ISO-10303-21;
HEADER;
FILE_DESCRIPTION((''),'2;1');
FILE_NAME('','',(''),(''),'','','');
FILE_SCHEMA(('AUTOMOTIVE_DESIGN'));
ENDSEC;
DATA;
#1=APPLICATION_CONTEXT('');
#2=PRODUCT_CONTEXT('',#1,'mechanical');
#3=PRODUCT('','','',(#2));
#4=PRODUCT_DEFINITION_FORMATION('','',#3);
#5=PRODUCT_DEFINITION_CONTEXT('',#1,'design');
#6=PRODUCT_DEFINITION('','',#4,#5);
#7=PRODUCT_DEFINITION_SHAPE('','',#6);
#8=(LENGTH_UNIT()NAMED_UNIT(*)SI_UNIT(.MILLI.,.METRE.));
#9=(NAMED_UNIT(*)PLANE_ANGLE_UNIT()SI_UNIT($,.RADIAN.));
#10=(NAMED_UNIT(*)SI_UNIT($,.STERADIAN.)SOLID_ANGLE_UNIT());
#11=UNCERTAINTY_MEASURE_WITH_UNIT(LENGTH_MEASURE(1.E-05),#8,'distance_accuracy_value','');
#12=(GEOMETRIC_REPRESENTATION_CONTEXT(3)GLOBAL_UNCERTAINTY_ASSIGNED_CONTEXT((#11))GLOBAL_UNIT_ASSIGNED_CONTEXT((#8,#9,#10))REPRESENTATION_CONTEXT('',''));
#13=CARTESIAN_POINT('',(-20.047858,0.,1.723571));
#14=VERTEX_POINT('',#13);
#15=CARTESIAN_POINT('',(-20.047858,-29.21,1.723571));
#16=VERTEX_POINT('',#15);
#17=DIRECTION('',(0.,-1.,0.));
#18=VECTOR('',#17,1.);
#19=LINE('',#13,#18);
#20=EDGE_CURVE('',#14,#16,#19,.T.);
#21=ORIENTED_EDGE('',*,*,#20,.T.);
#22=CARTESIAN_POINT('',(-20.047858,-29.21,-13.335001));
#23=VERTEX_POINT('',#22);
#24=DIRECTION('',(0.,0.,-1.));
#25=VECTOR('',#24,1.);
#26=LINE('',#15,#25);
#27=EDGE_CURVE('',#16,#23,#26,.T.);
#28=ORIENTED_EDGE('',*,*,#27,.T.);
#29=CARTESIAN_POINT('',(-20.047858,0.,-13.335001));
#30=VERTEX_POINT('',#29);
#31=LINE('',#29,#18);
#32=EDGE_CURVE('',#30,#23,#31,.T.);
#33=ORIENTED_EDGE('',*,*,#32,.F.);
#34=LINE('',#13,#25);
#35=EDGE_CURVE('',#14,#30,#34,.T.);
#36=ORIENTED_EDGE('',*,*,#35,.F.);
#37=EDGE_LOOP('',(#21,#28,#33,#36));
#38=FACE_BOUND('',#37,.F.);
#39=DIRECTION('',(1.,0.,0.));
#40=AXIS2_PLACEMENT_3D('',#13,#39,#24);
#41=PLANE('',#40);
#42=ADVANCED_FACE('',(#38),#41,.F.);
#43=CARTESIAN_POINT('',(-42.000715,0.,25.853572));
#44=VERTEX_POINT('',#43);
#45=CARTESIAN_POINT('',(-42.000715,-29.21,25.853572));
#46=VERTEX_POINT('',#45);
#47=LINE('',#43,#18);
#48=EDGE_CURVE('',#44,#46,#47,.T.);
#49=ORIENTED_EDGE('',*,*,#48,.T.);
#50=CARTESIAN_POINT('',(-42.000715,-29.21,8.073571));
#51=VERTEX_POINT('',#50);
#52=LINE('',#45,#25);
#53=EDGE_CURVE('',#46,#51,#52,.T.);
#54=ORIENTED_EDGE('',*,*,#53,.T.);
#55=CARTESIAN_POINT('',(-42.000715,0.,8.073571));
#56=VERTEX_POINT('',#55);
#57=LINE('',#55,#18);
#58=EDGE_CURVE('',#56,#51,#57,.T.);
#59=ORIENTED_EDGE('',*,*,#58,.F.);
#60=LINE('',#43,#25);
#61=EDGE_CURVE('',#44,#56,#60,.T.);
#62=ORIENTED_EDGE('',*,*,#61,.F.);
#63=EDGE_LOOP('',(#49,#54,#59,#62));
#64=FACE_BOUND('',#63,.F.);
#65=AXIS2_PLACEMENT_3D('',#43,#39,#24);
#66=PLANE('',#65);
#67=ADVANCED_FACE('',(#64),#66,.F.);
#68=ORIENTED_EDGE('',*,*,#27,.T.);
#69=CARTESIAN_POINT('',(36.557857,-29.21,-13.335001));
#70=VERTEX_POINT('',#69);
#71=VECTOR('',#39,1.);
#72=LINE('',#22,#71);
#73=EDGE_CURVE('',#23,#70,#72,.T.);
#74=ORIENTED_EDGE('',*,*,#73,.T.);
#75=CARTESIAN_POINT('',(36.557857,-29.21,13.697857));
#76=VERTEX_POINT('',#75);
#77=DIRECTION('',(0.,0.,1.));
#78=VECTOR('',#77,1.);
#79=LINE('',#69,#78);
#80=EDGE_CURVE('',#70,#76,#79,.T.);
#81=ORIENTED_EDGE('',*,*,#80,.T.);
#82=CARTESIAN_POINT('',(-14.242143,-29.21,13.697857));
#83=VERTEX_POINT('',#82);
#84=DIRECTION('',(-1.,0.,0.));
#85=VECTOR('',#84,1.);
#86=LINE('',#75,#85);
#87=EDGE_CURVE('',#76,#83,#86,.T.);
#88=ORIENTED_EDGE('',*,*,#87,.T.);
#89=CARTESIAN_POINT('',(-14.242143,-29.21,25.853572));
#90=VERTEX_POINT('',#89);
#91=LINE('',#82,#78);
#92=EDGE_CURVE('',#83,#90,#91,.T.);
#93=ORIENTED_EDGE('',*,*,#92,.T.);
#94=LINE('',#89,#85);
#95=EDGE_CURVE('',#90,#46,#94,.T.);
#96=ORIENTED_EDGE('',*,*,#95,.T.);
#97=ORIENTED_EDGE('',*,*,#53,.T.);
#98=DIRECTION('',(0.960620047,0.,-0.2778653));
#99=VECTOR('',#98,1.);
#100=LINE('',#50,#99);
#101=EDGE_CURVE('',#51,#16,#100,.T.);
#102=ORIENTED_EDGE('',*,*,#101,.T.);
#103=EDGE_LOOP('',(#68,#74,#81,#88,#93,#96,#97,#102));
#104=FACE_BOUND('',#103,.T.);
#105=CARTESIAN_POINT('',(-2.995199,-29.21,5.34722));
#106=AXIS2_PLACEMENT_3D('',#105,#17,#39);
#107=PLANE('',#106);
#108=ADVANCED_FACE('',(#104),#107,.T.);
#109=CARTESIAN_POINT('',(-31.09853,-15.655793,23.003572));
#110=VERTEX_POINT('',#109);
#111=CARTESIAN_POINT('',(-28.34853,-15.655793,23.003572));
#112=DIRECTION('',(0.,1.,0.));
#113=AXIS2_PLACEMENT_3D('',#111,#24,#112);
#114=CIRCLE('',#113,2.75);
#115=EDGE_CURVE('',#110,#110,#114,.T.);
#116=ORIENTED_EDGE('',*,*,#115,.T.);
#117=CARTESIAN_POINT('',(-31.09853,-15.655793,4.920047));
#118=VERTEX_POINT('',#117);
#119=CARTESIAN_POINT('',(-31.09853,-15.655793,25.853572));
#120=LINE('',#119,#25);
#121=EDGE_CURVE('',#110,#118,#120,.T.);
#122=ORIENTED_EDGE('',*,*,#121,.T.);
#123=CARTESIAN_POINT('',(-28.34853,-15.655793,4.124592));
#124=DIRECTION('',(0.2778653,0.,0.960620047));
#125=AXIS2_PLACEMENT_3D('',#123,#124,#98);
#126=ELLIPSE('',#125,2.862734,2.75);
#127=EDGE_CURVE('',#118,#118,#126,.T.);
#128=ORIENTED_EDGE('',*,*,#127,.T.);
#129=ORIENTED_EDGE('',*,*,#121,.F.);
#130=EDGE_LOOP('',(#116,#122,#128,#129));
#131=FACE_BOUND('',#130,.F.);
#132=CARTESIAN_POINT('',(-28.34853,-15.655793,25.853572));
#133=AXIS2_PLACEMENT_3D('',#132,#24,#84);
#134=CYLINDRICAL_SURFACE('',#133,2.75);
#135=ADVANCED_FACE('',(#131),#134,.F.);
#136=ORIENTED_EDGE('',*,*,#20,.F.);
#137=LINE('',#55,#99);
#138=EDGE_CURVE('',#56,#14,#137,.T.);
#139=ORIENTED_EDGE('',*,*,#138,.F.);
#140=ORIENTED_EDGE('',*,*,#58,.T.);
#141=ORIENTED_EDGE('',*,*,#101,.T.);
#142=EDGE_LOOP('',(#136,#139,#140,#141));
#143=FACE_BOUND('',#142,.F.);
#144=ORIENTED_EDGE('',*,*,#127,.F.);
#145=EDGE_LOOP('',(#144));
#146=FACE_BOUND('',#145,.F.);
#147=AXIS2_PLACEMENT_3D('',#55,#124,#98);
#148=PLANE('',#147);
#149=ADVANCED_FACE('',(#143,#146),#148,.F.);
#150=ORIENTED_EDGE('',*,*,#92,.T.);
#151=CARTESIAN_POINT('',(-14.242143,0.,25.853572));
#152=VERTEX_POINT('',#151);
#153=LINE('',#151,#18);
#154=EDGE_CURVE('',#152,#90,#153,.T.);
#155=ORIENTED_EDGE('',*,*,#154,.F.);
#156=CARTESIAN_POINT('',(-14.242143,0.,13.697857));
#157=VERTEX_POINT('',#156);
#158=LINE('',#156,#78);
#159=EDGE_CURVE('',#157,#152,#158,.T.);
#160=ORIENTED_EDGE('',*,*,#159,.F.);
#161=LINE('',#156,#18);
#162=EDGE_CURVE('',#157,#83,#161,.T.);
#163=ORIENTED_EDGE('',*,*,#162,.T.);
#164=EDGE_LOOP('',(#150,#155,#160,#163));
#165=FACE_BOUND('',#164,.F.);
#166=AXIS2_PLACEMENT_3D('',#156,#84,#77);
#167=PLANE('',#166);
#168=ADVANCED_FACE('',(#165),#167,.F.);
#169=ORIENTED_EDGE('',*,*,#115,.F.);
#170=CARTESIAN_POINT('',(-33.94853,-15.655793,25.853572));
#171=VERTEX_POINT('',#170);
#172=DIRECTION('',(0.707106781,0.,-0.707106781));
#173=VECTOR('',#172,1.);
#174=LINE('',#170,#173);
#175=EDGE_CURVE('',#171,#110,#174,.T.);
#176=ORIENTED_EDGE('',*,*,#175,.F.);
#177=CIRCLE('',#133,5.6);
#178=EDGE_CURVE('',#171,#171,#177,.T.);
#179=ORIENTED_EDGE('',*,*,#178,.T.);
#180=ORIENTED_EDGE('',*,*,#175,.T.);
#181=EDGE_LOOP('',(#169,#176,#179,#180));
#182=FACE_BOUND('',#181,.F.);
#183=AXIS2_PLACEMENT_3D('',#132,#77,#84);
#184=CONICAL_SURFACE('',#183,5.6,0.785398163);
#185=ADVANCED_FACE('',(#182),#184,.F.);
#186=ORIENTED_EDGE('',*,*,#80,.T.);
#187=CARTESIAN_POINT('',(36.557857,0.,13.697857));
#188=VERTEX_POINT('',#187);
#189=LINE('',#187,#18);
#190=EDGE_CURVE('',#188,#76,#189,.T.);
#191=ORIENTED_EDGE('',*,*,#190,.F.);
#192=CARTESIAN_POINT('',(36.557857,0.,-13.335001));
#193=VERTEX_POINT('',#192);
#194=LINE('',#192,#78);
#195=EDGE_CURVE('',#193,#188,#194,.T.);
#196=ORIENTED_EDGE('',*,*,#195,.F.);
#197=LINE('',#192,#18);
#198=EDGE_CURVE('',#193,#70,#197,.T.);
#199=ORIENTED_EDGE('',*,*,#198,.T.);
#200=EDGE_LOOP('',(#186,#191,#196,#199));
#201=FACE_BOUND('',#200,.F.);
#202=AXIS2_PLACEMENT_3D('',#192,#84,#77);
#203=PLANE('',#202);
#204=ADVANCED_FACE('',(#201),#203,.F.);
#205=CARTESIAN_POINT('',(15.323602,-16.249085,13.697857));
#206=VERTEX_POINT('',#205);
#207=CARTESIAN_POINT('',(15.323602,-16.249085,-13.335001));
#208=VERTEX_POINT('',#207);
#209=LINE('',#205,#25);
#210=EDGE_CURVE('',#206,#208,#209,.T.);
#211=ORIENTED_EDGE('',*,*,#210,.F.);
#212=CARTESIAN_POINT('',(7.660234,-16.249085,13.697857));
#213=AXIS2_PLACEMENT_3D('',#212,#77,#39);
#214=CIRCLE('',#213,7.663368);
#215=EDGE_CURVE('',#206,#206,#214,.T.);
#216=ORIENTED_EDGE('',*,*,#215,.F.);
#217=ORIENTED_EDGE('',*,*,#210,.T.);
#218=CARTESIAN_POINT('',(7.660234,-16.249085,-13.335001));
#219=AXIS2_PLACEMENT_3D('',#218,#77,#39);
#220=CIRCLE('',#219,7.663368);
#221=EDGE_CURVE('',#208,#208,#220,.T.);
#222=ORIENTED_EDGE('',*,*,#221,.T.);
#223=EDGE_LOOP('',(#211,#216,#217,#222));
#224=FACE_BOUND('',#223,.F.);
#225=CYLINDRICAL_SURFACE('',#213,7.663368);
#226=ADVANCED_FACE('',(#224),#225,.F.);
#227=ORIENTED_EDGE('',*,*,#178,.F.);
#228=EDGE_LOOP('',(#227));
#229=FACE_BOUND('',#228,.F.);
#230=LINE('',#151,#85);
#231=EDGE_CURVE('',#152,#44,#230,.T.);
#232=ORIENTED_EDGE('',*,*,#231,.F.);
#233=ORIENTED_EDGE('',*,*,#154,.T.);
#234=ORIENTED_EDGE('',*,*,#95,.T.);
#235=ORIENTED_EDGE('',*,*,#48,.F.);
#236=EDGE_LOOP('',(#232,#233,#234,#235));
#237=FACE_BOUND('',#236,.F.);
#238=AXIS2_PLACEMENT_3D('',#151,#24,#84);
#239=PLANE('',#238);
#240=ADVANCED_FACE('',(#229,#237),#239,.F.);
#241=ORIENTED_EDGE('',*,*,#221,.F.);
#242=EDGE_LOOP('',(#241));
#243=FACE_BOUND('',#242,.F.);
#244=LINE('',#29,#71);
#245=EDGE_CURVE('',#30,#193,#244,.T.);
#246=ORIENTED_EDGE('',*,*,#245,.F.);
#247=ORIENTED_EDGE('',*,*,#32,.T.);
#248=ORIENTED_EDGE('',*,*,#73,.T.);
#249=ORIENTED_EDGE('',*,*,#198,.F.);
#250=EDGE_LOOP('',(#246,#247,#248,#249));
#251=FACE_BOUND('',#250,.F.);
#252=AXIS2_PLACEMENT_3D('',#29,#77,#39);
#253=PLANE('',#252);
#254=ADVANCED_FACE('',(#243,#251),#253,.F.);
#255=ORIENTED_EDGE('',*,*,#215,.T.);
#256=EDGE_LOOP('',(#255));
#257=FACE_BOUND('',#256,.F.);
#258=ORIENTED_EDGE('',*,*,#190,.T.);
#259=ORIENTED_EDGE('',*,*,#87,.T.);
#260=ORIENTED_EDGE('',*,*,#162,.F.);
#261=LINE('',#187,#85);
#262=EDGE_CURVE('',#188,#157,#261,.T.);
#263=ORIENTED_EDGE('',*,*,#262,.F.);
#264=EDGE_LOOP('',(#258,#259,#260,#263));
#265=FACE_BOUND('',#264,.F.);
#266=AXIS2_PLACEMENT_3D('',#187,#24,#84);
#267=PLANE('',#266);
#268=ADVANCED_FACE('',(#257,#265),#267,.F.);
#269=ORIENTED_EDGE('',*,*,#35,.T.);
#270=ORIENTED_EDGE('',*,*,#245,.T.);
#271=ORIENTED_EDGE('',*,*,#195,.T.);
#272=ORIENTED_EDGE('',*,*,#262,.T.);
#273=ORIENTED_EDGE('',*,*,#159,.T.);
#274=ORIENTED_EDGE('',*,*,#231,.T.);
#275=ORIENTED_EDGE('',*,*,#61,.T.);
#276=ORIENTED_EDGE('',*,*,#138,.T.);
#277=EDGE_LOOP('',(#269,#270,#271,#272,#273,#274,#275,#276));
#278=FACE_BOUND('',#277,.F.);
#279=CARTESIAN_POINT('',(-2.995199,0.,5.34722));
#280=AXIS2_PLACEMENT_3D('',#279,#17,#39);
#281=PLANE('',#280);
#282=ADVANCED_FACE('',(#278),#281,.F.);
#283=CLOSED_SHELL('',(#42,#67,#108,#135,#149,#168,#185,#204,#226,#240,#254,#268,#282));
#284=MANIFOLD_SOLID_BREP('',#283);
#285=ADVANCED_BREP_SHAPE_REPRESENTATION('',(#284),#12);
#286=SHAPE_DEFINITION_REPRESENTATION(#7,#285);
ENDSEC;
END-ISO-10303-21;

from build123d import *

# Parameters (mm, degrees)
F1_DEPTH       = 29.21
F2_R           = 7.6633678856
F3_DEPTH       = 41.402
F5_D           = 5.5
F5_CSINK_D     = 11.2
F5_CSINK_ANGLE = 90


with BuildPart() as f1:
    # F0 (on Front) → F1 (new body)
    with BuildSketch(Plane.XZ):
        Polygon((-42.0007146895, 25.8535724133), (-42.0007146895, 8.0735711381), (-20.0478583574, 1.7235714477), (-20.0478583574, -13.3350007236), (36.5578569472, -13.3350007236), (36.5578569472, 13.6978570372), (-14.2421433702, 13.6978570372), (-14.2421433702, 25.8535724133), align=None)
    extrude(amount=F1_DEPTH)

    # F2 (on face) → F3 (cut)
    with BuildSketch(Plane.XY.offset(13.6978570372)):
        with Locations((7.6602338813, -16.2490848452)):
            Circle(F2_R)
    extrude(amount=-F3_DEPTH, mode=Mode.SUBTRACT)

    # F5 (through all)
    with Locations(Plane.XY.offset(25.8535724133)):
        with Locations((-28.3485297114, -15.6557932496)):
            CounterSinkHole(F5_D / 2, F5_CSINK_D / 2, counter_sink_angle=F5_CSINK_ANGLE)


solid = f1.part
